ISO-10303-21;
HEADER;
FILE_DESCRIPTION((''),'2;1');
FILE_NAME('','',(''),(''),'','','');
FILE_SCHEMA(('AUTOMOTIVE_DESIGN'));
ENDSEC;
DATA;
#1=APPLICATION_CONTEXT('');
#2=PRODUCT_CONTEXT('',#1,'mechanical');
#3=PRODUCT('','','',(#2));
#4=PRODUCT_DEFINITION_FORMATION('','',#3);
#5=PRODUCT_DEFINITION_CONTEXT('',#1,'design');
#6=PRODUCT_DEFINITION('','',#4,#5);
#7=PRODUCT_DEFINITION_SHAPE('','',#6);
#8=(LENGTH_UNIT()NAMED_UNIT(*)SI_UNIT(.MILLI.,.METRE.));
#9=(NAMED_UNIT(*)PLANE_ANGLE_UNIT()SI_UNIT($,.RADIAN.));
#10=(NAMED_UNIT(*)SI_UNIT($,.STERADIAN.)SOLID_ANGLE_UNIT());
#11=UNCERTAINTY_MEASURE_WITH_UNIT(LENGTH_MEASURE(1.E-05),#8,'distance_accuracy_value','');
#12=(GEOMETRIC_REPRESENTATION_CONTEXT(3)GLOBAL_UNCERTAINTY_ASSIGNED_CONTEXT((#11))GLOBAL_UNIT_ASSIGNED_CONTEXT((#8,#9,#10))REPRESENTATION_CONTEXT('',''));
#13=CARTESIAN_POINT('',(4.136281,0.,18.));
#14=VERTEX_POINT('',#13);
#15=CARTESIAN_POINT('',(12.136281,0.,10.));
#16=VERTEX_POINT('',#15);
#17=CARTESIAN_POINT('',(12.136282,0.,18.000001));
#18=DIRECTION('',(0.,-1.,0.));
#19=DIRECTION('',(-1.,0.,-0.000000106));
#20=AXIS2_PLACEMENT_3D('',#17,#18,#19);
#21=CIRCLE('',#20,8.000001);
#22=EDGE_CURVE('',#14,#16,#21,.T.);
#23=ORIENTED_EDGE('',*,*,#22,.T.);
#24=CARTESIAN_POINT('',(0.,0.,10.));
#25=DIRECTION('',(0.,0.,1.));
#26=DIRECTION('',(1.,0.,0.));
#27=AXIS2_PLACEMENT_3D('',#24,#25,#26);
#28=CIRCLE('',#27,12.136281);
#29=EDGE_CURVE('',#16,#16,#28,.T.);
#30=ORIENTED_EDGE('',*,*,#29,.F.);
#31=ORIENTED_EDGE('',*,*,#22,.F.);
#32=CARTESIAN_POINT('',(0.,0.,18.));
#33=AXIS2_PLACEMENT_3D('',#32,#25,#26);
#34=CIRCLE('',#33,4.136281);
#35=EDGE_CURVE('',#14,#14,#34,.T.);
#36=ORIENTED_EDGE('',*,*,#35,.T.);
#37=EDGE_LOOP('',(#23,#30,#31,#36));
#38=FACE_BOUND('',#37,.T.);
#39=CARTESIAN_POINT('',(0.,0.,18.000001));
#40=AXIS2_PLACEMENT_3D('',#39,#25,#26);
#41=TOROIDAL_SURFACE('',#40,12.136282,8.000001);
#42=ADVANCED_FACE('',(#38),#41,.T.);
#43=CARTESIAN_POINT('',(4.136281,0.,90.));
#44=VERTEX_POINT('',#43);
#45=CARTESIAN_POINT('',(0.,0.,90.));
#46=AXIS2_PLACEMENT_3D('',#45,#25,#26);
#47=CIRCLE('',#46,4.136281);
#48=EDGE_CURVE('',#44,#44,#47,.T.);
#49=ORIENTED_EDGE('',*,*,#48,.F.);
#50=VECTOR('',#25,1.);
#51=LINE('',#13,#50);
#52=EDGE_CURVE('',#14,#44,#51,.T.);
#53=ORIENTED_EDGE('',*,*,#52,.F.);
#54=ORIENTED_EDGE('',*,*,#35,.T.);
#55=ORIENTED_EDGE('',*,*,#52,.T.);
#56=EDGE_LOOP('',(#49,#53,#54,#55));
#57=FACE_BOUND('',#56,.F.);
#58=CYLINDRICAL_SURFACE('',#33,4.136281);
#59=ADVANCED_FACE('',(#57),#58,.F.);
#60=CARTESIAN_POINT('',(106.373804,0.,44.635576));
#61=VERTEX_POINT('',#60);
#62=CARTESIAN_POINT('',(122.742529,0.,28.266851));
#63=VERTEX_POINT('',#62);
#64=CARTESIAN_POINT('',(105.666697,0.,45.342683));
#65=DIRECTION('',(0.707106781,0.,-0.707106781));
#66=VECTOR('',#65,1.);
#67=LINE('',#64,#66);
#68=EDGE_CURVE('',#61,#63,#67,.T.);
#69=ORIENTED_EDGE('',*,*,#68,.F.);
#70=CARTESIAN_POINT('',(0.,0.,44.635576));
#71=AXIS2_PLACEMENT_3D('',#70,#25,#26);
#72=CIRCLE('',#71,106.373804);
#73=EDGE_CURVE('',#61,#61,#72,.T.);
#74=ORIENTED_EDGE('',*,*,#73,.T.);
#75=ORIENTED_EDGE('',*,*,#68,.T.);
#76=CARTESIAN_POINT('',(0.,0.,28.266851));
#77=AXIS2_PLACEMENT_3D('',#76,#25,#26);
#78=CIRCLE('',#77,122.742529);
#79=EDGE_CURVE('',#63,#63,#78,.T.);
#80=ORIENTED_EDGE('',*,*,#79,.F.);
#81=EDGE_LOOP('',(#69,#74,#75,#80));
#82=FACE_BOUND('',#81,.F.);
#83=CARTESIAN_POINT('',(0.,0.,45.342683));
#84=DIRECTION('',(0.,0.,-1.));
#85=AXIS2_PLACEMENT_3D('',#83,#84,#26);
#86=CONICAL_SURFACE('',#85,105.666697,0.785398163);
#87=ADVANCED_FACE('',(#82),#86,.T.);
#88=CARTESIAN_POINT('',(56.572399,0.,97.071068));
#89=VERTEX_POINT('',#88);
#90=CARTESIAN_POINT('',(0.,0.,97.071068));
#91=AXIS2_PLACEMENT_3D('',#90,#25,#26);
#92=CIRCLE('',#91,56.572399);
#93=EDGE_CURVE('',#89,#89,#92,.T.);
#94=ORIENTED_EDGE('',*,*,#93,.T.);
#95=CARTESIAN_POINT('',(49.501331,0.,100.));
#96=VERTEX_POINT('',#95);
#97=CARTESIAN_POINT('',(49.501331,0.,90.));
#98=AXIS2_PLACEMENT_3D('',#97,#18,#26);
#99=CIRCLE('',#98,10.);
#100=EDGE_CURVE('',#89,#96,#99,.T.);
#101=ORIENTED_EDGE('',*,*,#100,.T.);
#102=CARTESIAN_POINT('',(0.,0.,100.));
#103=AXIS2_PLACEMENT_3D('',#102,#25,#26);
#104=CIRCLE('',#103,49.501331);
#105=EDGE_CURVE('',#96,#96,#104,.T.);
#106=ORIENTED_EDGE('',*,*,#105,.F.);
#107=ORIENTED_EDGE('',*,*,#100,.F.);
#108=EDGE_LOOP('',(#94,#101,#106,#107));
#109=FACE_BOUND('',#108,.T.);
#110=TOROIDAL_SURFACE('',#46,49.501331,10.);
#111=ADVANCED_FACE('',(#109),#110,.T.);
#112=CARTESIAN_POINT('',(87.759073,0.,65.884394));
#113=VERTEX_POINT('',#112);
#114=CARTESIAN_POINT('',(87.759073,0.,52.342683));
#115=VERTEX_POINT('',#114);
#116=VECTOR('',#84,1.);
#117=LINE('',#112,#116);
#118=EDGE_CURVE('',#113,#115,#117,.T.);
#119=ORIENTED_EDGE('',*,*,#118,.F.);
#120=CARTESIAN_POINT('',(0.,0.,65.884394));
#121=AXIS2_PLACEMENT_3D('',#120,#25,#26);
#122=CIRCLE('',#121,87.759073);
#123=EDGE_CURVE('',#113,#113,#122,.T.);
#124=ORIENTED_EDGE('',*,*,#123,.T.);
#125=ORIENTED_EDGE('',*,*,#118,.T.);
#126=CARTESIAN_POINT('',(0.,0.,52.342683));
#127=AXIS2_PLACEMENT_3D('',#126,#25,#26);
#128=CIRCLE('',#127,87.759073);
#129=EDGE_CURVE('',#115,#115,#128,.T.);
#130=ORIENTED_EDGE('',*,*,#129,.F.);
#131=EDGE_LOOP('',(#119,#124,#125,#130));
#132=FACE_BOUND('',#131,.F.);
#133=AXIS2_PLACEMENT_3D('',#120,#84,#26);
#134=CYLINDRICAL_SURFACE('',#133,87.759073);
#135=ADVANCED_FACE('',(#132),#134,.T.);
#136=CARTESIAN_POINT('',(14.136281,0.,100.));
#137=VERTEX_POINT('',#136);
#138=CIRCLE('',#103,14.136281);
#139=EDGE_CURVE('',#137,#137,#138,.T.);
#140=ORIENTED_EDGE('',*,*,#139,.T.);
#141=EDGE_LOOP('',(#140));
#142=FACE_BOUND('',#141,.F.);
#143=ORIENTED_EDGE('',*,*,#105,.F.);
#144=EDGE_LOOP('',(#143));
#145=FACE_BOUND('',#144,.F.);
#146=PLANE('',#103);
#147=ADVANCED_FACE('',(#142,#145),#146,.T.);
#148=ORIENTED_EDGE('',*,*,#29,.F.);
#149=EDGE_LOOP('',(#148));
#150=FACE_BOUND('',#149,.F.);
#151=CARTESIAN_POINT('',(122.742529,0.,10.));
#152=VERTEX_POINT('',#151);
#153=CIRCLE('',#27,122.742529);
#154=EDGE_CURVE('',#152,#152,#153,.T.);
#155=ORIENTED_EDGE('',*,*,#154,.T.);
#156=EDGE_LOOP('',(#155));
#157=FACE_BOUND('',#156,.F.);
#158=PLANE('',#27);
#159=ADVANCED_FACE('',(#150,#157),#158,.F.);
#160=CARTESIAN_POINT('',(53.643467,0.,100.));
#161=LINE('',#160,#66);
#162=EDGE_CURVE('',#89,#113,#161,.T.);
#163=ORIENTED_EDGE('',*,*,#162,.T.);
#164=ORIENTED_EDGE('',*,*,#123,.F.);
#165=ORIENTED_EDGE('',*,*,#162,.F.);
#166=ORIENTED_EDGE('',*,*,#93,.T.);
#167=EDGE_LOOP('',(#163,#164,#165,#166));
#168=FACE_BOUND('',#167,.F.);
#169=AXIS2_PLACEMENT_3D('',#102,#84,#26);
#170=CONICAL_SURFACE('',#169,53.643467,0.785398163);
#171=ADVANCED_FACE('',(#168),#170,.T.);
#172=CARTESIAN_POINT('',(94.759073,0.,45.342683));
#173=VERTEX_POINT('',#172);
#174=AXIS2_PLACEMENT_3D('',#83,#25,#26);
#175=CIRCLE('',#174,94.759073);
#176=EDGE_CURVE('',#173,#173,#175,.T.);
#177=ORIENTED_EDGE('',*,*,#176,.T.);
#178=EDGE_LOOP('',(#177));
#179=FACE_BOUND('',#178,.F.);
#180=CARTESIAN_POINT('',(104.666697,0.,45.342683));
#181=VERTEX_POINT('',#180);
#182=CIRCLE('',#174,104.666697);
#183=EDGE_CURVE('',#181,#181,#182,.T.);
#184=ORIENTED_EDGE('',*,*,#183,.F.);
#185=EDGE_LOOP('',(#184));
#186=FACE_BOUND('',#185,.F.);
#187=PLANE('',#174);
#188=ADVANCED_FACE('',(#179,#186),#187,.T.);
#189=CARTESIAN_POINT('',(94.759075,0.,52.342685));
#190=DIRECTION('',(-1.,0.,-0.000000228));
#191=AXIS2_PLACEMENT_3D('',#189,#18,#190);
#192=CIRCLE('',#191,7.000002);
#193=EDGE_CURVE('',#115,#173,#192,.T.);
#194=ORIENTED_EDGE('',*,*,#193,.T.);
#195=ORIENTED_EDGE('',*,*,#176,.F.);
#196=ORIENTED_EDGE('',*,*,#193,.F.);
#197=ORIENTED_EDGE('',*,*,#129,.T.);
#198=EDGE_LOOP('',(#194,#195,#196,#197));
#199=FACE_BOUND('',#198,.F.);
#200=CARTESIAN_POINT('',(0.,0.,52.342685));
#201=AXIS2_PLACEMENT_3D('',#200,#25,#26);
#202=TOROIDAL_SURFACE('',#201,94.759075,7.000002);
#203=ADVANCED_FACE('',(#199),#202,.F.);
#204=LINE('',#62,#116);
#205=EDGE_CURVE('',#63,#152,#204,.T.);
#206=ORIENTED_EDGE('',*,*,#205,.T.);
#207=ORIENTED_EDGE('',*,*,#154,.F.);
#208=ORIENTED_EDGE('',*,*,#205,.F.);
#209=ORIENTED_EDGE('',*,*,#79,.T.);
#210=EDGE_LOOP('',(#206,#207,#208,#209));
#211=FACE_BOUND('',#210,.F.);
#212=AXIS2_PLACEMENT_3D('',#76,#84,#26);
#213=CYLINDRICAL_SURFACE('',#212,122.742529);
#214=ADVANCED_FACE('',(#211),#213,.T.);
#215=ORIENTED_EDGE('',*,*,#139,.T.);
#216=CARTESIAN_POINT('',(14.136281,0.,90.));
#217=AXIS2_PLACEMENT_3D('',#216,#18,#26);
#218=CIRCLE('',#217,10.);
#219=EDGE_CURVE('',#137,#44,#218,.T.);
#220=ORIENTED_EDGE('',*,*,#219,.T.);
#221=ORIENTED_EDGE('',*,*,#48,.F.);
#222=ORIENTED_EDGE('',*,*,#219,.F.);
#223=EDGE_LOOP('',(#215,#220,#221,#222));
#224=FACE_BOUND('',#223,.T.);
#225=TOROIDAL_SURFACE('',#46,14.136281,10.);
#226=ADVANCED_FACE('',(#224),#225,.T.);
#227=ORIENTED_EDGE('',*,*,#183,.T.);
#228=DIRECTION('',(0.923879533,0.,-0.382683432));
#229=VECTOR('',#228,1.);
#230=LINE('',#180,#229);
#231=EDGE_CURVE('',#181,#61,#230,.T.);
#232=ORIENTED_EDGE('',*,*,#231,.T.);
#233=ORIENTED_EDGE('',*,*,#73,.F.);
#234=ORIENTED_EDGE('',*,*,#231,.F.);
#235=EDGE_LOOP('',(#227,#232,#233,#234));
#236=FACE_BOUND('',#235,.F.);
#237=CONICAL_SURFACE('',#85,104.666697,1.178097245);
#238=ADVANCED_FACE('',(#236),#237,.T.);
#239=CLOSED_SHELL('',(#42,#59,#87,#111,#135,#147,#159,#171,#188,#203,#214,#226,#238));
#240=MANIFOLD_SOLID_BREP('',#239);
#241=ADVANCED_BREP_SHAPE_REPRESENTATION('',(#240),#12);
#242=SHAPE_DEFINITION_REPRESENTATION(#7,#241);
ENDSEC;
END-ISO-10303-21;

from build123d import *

# Parameters (mm, degrees)
CHAMFER_SIZE = 1
FILLET_R     = 10


with BuildPart() as part:
    # Sketch → Revolution (revolve)
    with BuildSketch(Plane.XZ):
        with BuildLine():
            Line((4.136281, 100), (53.643467, 100))
            Line((53.643467, 100), (87.759073, 65.884394))
            Line((87.759073, 65.884394), (87.759073, 52.342683))
            ThreePointArc((87.759073, 52.342683), (89.809326, 47.392936), (94.759073, 45.342683))
            Line((94.759073, 45.342683), (105.666697, 45.342683))
            Line((105.666697, 45.342683), (122.742529, 28.266851))
            Line((122.742529, 28.266851), (122.742529, 10))
            Line((122.742529, 10), (12.136281, 10))
            ThreePointArc((4.136281, 18), (6.479427, 12.343146), (12.136281, 10))
            Line((4.136281, 18), (4.136281, 100))
        make_face()
    revolve(axis=Axis((0, 0, 0), (0, 0, 1)))

    # Chamfer
    chamfer_edges = [part.edges().sort_by_distance(p)[0] for p in [
        (-94.759073, 0, 45.342683),
        (-105.666697, 0, 45.342683),
    ]]
    chamfer(chamfer_edges, length=CHAMFER_SIZE)

    # Fillet
    fillet_edges = [part.edges().sort_by_distance(p)[0] for p in [
        (-4.136281, 0, 100),
        (-53.643467, 0, 100),
    ]]
    fillet(fillet_edges, radius=FILLET_R)


solid = part.part
